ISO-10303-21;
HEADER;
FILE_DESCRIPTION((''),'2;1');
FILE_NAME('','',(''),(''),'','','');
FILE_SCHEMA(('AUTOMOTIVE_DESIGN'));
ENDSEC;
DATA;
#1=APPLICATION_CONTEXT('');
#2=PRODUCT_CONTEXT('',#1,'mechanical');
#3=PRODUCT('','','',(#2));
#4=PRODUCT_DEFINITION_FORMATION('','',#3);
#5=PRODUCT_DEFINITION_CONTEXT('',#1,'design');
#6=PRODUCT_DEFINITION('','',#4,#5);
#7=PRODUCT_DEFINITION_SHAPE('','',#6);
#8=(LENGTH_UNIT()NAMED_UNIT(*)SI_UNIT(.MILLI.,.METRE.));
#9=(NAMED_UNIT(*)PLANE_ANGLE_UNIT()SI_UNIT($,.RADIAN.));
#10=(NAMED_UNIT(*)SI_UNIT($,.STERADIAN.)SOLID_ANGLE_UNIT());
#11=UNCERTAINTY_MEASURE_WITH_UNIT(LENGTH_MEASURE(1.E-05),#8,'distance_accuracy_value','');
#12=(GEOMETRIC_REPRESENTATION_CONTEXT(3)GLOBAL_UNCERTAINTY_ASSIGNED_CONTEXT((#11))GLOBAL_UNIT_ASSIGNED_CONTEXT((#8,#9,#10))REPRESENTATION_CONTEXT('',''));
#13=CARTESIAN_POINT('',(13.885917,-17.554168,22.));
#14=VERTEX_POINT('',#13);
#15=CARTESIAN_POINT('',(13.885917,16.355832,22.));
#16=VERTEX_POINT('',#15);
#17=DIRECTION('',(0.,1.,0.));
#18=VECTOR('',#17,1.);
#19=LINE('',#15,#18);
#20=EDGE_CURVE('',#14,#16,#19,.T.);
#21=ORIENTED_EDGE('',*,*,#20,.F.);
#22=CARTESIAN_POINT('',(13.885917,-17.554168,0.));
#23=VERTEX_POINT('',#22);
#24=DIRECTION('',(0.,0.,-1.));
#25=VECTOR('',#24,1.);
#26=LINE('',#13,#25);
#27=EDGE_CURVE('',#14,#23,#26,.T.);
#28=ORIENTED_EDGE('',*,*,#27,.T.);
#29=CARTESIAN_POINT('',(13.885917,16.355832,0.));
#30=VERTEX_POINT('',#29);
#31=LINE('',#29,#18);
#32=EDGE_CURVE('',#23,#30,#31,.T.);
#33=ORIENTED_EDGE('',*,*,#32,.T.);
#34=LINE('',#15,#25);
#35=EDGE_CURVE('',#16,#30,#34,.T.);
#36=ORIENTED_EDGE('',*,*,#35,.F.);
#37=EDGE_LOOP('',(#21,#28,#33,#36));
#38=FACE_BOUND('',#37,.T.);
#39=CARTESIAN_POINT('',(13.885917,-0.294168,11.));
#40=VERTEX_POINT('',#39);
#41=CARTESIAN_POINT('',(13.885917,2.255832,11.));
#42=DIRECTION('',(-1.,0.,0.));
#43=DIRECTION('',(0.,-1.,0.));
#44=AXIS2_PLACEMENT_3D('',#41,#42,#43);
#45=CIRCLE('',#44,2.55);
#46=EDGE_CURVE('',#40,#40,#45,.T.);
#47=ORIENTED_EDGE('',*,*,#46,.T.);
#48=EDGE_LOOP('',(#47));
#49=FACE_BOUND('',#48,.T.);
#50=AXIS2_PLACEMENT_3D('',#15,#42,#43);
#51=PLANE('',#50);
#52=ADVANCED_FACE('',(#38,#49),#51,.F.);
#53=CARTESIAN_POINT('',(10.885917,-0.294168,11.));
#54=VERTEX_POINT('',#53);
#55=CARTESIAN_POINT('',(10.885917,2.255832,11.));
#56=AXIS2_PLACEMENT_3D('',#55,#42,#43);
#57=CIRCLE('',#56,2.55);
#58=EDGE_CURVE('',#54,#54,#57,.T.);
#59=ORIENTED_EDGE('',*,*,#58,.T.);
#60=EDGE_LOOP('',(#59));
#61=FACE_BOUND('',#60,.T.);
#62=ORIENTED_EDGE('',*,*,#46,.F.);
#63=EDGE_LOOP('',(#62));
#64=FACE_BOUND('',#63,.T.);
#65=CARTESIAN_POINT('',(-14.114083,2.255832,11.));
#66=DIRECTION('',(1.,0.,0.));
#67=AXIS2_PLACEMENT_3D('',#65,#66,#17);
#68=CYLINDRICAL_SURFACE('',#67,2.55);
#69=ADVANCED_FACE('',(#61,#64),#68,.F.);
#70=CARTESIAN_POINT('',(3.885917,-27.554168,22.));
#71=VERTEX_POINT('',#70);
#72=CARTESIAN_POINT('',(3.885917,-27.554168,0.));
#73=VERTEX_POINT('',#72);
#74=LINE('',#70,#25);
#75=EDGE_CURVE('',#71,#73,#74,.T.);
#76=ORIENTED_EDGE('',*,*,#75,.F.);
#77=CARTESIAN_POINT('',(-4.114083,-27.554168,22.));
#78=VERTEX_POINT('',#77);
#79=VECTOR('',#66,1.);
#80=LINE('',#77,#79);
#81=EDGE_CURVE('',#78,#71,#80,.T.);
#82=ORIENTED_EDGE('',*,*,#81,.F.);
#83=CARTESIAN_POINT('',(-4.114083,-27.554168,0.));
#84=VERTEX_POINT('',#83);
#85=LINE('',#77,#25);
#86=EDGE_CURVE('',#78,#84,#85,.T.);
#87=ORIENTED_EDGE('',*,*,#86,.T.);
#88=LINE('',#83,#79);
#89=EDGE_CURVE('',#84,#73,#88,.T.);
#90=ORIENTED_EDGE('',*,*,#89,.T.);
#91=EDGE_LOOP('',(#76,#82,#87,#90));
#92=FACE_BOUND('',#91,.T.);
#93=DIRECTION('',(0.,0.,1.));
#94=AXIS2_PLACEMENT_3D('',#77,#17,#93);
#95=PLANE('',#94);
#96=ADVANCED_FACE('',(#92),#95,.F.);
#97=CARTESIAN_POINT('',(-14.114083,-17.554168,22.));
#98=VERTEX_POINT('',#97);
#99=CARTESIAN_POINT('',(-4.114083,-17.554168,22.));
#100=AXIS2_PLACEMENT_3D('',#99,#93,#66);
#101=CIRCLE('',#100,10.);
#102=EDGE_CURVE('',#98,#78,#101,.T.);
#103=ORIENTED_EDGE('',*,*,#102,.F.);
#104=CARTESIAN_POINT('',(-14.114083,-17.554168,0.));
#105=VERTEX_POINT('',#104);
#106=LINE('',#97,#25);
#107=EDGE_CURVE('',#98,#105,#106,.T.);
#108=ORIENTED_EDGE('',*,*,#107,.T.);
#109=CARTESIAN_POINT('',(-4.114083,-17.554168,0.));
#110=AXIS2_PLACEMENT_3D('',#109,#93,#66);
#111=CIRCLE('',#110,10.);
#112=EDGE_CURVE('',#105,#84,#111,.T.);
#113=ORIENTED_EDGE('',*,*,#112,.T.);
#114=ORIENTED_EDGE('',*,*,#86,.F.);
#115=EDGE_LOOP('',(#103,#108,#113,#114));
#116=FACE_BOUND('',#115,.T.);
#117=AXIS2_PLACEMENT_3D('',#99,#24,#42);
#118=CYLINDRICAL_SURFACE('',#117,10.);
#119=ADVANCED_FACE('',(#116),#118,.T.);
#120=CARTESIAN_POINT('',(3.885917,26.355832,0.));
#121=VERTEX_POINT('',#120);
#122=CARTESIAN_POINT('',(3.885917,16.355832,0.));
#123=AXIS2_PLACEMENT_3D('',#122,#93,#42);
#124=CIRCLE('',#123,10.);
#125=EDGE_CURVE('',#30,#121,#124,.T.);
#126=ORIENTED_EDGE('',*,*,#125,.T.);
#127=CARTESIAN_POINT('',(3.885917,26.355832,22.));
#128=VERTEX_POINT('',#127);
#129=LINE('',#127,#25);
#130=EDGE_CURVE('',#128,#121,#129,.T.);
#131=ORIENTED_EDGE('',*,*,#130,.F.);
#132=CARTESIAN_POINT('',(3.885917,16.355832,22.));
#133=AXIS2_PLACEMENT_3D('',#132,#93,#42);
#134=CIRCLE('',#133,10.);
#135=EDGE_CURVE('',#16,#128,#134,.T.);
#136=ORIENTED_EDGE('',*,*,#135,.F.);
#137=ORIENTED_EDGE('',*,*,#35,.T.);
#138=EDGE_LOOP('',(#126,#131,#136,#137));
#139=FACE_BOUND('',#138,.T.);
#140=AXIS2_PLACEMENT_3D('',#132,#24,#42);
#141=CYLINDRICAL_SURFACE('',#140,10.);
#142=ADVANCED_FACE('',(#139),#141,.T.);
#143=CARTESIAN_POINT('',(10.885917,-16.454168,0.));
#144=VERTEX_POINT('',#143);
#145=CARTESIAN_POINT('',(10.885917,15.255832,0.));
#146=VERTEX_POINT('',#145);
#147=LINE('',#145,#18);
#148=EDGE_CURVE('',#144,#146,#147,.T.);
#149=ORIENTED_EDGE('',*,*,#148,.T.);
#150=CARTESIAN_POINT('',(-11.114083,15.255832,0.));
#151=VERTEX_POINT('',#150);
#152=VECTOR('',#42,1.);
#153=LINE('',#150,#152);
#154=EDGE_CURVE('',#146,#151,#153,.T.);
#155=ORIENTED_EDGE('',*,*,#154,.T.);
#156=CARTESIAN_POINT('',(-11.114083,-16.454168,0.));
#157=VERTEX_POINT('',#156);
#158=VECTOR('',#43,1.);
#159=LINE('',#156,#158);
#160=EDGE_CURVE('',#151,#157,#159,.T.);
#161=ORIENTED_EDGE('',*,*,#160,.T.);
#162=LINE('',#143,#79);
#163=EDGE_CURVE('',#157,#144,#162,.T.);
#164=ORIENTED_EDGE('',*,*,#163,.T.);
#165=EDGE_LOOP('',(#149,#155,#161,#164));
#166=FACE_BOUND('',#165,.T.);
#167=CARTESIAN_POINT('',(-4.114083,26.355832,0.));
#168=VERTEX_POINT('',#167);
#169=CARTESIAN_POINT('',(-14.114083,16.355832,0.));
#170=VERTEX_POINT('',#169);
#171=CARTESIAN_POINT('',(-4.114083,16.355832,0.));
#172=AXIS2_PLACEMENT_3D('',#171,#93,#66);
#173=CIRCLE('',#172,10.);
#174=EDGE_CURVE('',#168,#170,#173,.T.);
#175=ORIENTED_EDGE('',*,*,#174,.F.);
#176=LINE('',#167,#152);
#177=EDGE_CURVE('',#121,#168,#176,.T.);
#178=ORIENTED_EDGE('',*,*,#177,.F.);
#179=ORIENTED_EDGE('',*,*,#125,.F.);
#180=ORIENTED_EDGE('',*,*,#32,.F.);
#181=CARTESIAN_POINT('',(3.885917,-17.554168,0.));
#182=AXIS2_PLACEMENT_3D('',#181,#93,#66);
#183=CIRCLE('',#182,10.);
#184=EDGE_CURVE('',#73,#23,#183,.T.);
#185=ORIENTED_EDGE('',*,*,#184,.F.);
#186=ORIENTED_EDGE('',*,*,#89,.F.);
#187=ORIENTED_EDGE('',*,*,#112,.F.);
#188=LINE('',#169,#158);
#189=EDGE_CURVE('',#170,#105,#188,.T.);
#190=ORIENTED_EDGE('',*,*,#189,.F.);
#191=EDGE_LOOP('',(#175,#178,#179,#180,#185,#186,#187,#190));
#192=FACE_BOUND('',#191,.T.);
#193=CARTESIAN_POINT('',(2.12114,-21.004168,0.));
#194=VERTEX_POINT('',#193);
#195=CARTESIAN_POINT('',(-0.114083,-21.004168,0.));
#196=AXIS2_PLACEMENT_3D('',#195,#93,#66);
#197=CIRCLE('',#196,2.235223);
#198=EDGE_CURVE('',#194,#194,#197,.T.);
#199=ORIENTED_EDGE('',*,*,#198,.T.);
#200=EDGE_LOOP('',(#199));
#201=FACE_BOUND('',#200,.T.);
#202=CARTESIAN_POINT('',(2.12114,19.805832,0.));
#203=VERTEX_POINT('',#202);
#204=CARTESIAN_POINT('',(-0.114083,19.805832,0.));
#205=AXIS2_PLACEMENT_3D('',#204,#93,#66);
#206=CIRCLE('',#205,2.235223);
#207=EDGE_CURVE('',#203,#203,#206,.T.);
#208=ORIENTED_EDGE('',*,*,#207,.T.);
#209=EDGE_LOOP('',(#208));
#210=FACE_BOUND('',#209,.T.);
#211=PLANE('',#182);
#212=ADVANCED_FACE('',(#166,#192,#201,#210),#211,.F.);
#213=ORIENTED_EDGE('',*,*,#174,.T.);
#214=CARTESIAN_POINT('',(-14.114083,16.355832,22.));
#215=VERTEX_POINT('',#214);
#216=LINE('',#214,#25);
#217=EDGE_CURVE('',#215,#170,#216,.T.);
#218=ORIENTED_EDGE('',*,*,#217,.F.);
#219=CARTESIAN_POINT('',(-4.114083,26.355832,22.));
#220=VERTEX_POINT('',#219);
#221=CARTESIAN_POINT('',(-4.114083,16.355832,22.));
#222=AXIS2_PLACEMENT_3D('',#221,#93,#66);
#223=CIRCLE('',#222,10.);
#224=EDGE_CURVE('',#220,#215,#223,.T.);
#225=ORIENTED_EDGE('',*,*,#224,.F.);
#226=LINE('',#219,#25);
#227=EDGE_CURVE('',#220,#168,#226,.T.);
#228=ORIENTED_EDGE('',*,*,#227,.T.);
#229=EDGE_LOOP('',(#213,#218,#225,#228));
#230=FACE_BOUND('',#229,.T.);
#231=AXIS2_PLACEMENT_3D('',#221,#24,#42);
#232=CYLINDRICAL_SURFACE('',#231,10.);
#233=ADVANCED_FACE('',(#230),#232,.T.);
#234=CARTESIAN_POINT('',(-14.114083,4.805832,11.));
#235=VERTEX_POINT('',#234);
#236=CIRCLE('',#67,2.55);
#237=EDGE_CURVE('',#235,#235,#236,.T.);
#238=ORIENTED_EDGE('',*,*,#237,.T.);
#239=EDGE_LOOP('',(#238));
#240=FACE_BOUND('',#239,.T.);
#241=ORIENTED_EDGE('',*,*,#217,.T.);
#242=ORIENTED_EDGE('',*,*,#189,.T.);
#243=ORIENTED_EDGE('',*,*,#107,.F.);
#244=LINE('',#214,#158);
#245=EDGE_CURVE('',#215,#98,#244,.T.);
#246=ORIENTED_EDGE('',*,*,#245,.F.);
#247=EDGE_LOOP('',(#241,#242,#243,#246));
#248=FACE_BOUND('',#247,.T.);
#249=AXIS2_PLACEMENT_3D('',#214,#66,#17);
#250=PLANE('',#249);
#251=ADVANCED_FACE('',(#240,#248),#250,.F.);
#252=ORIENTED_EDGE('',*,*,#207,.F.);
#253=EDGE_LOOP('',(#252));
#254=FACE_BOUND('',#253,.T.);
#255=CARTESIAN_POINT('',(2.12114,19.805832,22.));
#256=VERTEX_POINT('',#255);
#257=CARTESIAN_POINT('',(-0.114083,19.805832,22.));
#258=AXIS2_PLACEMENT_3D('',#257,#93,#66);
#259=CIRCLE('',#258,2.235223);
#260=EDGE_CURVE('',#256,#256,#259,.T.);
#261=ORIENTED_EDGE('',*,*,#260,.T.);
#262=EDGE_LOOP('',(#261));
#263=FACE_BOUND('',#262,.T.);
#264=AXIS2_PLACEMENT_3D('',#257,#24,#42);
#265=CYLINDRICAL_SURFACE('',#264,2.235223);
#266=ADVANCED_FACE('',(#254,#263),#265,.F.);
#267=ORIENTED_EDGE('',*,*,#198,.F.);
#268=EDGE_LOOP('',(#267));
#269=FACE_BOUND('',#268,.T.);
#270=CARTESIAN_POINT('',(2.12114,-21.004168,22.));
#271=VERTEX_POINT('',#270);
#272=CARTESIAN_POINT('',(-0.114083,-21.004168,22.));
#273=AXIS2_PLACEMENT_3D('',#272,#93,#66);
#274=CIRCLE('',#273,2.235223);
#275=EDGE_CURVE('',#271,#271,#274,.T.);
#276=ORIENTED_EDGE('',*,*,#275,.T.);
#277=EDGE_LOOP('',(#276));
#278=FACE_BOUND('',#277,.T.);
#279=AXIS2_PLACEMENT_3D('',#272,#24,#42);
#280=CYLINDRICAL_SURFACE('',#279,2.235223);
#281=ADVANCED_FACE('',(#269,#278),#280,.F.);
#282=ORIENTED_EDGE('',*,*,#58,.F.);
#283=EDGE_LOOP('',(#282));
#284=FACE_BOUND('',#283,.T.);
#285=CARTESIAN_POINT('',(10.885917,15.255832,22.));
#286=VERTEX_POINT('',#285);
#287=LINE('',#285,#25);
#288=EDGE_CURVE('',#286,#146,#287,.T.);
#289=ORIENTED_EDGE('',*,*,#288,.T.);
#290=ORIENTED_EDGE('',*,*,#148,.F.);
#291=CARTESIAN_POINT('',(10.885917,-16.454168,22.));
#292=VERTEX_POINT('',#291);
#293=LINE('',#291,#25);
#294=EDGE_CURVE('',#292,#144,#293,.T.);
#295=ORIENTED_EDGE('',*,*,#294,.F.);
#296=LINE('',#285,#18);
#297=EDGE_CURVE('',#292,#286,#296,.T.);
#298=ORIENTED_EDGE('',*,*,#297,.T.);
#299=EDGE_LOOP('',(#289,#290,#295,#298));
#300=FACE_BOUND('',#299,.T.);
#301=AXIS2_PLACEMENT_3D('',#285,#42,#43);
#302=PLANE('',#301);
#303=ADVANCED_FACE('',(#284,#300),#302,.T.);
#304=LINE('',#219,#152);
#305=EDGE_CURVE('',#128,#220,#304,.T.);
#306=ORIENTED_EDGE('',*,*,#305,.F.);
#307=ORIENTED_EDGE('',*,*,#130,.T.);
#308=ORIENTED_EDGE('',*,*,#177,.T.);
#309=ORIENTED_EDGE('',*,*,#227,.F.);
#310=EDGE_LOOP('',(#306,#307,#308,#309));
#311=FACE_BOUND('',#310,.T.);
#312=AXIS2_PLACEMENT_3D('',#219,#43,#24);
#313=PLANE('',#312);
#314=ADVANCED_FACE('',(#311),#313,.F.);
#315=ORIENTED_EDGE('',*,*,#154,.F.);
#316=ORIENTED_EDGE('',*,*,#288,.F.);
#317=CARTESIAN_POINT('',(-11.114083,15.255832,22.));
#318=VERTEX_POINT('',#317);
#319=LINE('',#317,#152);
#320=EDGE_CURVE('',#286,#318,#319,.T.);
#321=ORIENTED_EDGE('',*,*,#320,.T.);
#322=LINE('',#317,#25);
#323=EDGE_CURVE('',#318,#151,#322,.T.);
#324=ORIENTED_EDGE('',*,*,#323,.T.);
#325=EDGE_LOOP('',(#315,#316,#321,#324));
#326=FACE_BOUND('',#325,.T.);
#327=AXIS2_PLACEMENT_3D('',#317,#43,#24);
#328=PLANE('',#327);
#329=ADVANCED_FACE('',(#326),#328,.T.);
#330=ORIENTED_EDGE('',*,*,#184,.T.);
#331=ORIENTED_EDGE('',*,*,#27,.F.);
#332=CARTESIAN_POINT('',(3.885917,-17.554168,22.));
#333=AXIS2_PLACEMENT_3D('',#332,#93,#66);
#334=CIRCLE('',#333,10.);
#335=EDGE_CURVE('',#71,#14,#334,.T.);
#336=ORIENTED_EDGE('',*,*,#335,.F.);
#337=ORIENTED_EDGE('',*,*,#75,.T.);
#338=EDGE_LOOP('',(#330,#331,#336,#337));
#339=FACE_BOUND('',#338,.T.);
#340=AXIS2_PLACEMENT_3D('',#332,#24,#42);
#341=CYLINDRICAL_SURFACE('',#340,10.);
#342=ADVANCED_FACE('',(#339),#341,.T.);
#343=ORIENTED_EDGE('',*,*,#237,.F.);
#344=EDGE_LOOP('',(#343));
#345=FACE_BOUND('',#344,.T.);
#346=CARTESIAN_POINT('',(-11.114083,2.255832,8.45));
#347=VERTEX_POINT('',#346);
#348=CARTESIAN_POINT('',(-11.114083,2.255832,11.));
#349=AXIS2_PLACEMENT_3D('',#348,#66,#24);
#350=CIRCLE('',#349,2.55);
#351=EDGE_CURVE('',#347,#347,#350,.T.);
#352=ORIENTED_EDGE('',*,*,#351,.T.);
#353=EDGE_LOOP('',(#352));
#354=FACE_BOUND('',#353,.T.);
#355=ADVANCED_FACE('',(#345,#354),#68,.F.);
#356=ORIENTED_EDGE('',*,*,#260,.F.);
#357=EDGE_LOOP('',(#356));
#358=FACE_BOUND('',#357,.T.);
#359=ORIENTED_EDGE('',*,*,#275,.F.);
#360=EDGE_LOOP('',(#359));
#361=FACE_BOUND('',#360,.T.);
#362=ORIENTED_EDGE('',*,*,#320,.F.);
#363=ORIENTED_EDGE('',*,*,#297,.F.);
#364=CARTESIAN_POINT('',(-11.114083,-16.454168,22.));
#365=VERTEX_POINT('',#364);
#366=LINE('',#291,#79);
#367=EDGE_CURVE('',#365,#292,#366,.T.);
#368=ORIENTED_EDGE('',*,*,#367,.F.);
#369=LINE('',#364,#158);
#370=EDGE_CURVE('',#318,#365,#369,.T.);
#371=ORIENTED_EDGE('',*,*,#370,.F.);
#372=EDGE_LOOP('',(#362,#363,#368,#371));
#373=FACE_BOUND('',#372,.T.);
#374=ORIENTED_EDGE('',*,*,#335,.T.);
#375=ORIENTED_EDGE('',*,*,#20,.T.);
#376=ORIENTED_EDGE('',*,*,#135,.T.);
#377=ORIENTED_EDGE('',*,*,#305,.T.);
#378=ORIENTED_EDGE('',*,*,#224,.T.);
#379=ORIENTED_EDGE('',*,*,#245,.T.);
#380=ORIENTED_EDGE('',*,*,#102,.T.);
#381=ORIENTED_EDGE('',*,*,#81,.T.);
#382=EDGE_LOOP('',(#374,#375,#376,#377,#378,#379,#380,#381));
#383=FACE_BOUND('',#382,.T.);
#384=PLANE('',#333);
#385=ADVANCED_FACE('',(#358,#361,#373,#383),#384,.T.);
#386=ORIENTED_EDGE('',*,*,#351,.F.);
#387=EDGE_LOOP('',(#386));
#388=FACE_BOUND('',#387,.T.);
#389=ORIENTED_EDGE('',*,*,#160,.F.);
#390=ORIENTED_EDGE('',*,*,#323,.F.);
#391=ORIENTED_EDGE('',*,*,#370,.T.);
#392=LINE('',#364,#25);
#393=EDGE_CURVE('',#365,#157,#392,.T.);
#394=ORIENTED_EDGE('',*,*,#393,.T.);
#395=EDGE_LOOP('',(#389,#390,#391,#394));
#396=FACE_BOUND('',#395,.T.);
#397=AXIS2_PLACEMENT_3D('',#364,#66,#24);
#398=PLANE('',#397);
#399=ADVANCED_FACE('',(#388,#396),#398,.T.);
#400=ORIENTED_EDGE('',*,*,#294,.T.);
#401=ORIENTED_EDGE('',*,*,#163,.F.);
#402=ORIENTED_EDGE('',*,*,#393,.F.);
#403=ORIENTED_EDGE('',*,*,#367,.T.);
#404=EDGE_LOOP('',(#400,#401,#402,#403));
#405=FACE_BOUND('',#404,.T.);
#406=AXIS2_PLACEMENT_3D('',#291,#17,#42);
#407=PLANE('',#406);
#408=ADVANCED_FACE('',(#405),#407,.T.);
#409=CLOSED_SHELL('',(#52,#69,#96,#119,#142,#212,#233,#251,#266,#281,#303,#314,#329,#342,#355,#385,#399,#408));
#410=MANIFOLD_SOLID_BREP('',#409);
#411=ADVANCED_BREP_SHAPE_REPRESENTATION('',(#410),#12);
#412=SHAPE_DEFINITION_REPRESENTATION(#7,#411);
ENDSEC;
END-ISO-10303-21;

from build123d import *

# Parameters (mm, degrees)
SKETCH_2_W               = 22
SKETCH_2_H               = 31.71
EXTRUDE_1_DEPTH          = 22
SKETCH_1_R               = 2.235222544
CUT_EXTRUDE_1_DEPTH      = 38.979461569
CUT_EXTRUDE_2_DEPTH      = 46.024794997
CUT_EXTRUDE_2_DEPTH_BACK = 46.024794997
SKETCH_3_R               = 2.55


with BuildPart() as part:
    # Эскиз2 → Бобышка-Вытянуть1 (new body)
    with BuildSketch(Plane.XY):
        with BuildLine():
            Line((-4.114082915, 26.355832174), (3.885917085, 26.355832174))
            ThreePointArc((3.885917085, 26.355832174), (10.956984897, 23.426899986), (13.885917085, 16.355832174))
            Line((13.885917085, 16.355832174), (13.885917085, -17.554167826))
            ThreePointArc((13.885917085, -17.554167826), (10.956984897, -24.625235638), (3.885917085, -27.554167826))
            Line((3.885917085, -27.554167826), (-4.114082915, -27.554167826))
            ThreePointArc((-4.114082915, -27.554167826), (-11.185150727, -24.625235638), (-14.114082915, -17.554167826))
            Line((-14.114082915, -17.554167826), (-14.114082915, 16.355832174))
            ThreePointArc((-14.114082915, 16.355832174), (-11.185150727, 23.426899986), (-4.114082915, 26.355832174))
        make_face()
        with Locations((-0.114082915, -0.599167826)):
            Rectangle(SKETCH_2_W, SKETCH_2_H, mode=Mode.SUBTRACT)
    extrude(amount=EXTRUDE_1_DEPTH)

    # Эскиз1 → Вырез-Вытянуть1 (cut, through all)
    with BuildSketch(Plane.XY):
        with Locations((-0.114082915, 19.805832174)):
            Circle(SKETCH_1_R)
        with Locations((-0.114082915, -21.004167826)):
            Circle(SKETCH_1_R)
    extrude(amount=CUT_EXTRUDE_1_DEPTH, mode=Mode.SUBTRACT)

    # Эскиз3 → Вырез-Вытянуть2 (cut, two sides: drawn at the far end of the back side and taken through both)
    with BuildSketch(Plane(origin=(13.885917085, 0, 0), x_dir=(0, 0, -1), z_dir=(1, 0, 0)).offset(-CUT_EXTRUDE_2_DEPTH_BACK)):
        with Locations(Location((-11, 2.255832174, 0), (0, 0, 270))):
            Circle(SKETCH_3_R)
    extrude(amount=CUT_EXTRUDE_2_DEPTH + CUT_EXTRUDE_2_DEPTH_BACK, mode=Mode.SUBTRACT)


solid = part.part
